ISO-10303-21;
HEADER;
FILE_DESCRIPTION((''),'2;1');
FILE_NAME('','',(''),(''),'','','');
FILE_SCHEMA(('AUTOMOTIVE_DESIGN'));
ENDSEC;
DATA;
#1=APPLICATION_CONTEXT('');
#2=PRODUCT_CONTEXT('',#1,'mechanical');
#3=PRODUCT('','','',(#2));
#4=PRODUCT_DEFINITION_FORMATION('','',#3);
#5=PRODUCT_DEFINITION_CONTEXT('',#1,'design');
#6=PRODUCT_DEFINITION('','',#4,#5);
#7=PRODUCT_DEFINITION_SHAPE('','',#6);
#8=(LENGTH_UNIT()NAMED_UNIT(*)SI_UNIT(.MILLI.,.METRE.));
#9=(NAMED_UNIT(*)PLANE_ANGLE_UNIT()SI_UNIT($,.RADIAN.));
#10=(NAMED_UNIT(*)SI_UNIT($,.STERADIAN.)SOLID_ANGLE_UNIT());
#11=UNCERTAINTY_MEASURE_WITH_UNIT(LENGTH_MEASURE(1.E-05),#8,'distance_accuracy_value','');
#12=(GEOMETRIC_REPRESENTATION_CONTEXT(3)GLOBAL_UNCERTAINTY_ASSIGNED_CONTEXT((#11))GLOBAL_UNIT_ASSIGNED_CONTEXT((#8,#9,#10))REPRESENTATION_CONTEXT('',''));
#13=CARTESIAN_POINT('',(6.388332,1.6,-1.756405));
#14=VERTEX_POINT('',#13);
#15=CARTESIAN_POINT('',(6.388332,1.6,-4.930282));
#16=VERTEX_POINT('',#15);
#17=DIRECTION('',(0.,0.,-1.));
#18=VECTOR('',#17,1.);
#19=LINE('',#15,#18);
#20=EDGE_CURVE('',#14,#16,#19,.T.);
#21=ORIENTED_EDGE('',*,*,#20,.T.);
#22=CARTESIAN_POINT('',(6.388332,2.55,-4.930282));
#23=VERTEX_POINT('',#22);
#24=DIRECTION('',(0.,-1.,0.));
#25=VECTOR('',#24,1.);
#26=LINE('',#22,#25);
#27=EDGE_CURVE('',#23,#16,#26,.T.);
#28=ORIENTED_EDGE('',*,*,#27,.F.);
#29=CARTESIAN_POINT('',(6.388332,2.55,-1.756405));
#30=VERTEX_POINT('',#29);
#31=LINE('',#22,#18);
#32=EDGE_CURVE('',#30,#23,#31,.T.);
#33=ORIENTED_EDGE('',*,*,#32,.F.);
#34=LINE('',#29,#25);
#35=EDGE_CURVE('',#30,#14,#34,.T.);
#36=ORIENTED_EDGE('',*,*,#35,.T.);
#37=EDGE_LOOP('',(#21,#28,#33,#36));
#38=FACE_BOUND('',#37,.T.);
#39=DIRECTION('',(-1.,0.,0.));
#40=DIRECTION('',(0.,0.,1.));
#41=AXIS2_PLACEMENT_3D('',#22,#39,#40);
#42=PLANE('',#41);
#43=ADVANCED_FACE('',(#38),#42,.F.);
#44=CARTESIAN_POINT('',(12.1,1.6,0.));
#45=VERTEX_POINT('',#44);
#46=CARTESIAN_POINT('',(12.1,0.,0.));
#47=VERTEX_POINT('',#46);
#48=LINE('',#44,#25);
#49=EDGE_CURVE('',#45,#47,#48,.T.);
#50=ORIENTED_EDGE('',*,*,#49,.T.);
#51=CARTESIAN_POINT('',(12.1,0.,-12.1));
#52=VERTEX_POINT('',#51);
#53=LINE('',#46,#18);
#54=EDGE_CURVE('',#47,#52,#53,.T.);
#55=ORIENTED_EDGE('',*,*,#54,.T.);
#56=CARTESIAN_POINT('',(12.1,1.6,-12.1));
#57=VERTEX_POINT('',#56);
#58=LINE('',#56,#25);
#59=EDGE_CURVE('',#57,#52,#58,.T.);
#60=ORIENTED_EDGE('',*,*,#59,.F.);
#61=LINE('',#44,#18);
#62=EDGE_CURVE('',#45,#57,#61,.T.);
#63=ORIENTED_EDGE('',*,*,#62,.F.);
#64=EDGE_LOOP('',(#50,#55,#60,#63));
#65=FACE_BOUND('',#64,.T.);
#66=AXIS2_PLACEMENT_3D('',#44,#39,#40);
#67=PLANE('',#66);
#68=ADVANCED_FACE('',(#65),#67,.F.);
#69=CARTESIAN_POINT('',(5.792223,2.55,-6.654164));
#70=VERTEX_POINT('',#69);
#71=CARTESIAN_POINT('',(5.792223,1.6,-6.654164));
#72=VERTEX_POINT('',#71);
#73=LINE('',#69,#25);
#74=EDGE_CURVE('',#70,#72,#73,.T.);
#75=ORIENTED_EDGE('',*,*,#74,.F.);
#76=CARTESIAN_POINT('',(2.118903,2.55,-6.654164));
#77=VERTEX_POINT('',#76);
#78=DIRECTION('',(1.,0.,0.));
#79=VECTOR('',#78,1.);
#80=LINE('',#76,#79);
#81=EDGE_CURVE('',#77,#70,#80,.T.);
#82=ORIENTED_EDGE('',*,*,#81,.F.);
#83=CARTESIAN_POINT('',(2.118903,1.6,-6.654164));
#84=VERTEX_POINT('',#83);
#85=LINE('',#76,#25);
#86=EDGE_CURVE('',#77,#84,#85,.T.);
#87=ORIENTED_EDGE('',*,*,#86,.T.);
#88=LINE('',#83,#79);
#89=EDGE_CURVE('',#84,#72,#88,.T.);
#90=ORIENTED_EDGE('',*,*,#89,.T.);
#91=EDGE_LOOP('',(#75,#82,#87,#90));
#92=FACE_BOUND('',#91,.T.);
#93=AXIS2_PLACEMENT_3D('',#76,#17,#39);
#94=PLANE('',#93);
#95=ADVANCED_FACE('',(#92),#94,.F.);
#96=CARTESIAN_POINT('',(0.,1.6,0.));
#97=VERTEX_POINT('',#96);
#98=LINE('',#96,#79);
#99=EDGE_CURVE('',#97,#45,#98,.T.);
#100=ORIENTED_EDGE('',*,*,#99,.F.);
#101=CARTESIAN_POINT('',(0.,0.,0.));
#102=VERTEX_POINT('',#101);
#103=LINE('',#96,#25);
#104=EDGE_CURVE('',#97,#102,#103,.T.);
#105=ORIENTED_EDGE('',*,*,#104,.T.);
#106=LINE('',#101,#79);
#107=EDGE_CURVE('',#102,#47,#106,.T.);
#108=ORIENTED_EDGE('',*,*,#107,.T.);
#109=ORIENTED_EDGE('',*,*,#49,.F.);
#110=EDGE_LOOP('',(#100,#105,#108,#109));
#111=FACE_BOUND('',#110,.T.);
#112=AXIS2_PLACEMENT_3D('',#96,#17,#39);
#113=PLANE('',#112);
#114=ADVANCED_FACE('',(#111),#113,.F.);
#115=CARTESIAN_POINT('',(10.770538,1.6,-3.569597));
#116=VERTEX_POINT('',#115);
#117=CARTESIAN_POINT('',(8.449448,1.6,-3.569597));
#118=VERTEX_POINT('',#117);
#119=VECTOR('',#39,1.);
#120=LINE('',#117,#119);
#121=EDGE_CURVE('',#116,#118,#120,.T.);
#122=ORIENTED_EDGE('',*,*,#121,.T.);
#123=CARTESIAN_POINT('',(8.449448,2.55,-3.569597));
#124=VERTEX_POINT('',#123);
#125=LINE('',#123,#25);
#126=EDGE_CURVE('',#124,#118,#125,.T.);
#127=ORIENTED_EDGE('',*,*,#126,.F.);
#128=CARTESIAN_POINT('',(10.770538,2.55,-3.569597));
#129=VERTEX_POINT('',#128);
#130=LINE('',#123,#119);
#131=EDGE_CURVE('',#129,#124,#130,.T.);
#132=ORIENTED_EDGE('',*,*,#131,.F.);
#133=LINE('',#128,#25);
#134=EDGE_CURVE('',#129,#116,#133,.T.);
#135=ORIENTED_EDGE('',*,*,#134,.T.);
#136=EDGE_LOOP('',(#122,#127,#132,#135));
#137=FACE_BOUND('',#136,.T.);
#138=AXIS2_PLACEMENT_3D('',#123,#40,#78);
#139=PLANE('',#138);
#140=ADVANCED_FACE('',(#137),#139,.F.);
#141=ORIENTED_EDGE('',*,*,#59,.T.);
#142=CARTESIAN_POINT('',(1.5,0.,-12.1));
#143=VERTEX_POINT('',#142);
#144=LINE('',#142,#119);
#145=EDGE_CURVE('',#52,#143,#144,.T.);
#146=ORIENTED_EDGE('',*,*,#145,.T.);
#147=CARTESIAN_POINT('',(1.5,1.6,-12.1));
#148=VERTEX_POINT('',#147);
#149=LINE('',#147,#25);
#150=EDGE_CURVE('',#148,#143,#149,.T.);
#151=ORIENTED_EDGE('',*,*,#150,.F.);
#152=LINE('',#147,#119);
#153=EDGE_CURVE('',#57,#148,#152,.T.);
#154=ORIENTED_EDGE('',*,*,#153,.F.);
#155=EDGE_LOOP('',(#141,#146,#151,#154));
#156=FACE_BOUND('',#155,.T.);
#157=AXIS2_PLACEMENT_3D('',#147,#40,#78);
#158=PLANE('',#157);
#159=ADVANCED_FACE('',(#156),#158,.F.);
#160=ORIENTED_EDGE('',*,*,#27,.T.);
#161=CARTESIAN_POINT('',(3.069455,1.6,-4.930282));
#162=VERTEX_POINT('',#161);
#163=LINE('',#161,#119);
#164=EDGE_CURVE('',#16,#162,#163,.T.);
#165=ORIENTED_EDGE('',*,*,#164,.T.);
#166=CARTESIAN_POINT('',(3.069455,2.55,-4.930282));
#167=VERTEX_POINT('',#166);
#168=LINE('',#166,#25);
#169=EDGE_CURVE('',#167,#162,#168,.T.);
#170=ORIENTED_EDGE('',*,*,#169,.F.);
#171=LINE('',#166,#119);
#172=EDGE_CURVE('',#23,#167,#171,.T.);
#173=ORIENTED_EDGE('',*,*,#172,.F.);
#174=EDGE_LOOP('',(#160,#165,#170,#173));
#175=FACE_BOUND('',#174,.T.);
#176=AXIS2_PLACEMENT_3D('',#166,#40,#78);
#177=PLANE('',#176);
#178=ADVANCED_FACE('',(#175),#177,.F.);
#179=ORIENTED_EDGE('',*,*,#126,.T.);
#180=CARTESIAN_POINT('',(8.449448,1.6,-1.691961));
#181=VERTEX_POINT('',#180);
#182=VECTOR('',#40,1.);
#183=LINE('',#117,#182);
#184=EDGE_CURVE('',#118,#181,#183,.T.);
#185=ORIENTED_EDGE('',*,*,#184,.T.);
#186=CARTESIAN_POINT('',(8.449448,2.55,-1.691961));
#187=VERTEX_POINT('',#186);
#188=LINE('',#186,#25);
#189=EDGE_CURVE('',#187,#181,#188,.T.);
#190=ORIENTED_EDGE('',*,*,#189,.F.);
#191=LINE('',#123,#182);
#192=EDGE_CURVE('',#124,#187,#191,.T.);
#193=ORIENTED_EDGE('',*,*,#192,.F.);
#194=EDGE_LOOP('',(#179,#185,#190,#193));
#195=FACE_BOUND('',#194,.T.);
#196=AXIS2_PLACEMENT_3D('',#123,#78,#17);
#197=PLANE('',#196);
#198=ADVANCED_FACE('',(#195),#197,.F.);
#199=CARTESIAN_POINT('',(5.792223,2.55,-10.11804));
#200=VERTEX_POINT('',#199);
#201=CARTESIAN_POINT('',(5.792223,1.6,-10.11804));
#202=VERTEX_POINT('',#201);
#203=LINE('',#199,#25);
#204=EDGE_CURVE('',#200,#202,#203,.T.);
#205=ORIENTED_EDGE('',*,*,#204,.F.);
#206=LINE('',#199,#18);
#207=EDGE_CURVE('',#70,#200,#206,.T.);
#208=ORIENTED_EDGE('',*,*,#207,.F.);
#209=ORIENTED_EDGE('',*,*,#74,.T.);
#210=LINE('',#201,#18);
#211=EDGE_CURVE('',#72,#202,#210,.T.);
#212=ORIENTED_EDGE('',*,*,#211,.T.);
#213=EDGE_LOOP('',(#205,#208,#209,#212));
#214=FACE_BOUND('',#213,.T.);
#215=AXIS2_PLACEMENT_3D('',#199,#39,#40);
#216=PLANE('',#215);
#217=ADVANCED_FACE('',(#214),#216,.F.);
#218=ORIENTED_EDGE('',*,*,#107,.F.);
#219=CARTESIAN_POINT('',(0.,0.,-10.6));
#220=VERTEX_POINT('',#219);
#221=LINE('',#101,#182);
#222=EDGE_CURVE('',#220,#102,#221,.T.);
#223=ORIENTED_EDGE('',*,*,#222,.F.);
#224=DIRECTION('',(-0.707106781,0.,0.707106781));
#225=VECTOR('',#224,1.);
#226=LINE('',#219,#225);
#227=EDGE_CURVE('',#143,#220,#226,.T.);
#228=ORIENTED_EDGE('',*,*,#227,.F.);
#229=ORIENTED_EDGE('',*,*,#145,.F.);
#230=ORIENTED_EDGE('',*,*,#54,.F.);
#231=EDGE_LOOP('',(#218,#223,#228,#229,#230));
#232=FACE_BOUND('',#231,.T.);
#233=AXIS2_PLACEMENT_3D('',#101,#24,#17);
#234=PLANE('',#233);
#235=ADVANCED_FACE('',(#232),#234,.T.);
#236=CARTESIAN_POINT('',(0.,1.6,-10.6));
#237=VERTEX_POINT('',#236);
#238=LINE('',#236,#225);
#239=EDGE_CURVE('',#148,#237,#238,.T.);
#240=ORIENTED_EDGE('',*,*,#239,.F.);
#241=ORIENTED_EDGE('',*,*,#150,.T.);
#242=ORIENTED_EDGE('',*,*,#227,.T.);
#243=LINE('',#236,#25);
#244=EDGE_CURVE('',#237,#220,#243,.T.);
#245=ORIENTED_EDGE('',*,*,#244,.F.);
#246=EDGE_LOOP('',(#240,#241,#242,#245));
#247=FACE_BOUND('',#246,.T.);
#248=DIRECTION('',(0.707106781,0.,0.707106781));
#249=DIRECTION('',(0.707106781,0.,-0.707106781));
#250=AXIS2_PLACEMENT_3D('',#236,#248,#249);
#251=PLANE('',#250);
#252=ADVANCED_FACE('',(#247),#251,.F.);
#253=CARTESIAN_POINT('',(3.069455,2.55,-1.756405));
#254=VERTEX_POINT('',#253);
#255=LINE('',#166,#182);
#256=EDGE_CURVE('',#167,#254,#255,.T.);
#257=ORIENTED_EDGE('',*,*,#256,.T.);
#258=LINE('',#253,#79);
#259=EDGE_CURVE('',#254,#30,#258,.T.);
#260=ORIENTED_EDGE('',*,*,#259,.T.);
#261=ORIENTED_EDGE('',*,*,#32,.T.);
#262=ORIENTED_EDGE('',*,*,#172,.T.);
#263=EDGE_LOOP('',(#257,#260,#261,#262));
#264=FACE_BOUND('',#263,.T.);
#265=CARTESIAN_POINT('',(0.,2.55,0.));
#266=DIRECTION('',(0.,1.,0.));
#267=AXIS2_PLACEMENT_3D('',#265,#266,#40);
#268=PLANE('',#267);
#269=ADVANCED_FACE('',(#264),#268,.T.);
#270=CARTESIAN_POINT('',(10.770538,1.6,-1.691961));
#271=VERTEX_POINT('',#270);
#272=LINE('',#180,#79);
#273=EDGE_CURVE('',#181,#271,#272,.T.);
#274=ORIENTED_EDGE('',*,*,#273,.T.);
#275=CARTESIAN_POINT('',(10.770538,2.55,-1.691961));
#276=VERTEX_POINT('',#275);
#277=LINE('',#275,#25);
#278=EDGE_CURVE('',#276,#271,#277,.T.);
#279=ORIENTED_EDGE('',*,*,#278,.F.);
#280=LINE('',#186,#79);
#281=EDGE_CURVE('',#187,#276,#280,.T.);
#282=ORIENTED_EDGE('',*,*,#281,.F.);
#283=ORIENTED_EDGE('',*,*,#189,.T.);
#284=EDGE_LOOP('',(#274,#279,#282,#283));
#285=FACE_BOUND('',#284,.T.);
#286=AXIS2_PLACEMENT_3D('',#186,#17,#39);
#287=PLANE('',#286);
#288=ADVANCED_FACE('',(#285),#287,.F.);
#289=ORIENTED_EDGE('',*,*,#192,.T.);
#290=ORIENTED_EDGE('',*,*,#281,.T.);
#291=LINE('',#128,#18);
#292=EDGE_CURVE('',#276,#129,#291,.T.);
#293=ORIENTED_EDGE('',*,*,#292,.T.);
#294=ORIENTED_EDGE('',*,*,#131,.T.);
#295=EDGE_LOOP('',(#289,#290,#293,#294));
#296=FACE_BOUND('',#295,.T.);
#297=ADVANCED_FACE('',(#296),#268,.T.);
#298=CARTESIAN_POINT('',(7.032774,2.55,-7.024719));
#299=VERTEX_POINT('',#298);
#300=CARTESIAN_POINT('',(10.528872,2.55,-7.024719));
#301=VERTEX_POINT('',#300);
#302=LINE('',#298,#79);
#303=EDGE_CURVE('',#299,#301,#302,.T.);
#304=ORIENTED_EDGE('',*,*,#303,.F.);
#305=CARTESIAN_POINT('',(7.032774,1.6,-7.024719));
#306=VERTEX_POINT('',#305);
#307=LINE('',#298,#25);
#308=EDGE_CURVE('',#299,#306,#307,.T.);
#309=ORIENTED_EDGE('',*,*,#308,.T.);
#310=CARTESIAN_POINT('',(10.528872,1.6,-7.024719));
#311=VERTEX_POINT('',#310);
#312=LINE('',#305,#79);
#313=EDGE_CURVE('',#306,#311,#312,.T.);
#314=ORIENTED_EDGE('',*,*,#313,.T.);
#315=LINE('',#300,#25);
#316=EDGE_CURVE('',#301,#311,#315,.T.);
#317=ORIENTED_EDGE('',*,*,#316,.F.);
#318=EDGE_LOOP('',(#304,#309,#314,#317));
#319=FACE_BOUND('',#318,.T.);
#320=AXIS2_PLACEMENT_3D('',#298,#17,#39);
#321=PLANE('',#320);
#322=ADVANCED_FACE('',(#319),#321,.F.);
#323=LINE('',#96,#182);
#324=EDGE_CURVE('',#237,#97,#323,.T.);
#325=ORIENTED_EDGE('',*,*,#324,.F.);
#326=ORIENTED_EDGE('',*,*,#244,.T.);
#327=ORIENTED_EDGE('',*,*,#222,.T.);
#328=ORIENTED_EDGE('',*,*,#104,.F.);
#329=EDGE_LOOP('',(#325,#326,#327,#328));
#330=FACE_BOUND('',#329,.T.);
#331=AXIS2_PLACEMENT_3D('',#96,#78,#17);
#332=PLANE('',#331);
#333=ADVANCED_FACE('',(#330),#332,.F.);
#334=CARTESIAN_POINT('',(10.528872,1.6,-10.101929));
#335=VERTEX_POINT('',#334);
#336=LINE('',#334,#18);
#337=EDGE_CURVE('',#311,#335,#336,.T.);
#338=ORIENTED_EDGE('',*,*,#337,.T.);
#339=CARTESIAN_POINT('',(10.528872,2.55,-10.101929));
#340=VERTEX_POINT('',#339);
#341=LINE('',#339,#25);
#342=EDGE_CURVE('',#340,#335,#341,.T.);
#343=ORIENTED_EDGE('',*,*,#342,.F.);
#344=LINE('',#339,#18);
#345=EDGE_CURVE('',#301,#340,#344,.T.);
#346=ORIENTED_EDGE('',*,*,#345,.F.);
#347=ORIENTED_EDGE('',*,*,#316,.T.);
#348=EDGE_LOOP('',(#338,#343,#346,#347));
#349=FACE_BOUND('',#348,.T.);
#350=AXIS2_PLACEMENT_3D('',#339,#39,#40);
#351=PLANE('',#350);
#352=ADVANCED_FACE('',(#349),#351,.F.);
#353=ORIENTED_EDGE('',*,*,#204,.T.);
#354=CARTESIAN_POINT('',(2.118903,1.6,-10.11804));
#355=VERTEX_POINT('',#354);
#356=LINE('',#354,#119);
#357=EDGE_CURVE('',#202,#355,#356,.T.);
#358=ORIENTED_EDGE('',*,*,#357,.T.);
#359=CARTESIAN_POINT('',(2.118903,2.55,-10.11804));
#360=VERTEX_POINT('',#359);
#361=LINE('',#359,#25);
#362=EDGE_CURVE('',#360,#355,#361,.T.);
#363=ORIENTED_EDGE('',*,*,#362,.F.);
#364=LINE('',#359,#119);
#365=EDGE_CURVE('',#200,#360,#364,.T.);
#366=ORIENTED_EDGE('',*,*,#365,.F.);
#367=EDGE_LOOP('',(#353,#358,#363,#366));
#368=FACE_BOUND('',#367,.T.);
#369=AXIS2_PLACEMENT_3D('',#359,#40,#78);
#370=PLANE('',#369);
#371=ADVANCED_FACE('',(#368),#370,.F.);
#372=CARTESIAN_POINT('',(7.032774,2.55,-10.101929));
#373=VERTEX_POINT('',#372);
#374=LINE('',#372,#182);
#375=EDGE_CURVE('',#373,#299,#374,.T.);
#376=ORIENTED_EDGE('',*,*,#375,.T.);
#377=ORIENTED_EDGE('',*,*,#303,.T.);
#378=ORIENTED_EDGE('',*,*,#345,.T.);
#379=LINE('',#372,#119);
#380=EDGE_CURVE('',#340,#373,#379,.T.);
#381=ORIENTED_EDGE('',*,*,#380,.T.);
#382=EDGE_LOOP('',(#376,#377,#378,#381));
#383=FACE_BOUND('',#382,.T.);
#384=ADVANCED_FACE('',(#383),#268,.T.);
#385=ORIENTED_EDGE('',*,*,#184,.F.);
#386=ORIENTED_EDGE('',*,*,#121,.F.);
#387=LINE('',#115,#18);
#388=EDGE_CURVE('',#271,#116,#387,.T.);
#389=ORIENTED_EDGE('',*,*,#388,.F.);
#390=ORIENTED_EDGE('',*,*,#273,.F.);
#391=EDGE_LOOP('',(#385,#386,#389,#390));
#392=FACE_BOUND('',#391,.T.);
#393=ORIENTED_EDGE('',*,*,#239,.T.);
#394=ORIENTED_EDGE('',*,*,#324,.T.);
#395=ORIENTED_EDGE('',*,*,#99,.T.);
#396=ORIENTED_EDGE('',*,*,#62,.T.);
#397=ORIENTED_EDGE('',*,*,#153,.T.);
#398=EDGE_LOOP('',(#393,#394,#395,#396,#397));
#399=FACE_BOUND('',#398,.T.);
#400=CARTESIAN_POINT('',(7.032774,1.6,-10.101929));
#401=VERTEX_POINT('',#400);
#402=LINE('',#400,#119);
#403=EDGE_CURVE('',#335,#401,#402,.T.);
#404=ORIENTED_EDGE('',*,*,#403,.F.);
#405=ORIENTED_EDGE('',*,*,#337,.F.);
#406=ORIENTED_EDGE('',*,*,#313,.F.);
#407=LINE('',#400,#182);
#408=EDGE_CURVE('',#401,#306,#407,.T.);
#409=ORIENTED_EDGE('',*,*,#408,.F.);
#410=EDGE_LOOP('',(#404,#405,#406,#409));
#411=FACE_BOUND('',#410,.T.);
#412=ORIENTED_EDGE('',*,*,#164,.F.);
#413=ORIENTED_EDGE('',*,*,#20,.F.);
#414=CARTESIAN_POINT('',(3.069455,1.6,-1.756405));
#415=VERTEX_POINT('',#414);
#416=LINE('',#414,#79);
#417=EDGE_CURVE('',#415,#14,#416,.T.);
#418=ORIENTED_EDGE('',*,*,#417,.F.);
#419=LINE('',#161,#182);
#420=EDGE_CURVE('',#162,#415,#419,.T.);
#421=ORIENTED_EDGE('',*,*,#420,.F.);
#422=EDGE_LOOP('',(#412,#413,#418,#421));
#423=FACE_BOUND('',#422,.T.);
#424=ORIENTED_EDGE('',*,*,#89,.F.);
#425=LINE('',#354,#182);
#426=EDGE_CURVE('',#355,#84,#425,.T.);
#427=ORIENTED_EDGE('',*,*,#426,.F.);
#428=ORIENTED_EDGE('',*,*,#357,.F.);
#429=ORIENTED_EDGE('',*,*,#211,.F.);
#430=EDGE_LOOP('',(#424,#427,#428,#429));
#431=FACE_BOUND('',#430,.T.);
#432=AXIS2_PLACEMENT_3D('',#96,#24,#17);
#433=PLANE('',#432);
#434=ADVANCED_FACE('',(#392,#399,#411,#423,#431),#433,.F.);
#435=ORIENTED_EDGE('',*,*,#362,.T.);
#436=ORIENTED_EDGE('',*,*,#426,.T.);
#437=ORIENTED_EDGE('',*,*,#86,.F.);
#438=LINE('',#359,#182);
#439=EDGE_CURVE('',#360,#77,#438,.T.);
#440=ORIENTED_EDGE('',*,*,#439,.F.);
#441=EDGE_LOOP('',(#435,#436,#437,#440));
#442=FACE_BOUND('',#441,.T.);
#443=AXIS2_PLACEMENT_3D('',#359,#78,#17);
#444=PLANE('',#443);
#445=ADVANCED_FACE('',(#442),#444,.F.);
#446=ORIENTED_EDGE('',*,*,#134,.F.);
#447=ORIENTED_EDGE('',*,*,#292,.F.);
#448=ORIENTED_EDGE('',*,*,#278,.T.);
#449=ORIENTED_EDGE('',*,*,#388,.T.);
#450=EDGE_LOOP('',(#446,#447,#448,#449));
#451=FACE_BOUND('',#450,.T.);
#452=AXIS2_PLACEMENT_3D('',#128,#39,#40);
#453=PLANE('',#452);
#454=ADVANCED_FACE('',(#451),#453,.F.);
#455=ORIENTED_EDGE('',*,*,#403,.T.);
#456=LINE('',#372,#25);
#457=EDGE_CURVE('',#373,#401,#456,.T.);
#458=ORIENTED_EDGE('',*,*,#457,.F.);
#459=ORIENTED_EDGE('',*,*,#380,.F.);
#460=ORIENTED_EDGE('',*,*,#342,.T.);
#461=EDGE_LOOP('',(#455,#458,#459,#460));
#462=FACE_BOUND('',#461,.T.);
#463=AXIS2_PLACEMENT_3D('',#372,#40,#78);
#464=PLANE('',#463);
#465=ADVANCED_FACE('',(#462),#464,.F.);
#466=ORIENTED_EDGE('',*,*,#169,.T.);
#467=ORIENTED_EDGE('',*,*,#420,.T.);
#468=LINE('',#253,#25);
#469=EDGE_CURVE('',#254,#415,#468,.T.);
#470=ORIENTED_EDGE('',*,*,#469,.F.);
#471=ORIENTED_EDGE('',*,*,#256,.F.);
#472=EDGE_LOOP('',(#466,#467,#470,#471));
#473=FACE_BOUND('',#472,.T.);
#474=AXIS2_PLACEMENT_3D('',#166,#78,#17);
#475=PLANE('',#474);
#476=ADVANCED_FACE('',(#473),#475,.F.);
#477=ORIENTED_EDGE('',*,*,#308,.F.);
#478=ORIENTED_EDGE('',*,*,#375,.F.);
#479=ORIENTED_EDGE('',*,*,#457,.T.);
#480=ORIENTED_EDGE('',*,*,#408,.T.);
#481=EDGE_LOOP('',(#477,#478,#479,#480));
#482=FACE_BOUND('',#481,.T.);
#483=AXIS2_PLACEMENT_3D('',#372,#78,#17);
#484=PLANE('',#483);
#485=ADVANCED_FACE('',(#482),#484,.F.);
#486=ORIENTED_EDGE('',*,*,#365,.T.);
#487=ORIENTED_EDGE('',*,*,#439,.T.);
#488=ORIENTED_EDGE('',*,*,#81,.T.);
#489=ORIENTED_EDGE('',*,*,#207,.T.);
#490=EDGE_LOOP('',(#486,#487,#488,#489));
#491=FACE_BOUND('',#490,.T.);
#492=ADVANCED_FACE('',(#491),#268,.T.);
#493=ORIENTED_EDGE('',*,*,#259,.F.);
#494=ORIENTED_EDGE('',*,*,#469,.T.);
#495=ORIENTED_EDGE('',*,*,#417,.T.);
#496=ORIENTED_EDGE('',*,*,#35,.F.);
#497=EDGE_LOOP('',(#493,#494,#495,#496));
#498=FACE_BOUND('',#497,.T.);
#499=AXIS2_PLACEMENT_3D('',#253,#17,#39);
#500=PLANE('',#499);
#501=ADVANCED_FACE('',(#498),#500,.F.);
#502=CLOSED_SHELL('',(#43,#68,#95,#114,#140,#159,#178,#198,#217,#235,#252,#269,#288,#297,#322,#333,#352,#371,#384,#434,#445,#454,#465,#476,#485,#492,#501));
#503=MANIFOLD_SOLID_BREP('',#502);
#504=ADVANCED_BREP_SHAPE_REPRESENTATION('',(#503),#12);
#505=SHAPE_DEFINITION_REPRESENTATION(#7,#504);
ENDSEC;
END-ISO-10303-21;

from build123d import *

# Parameters (mm, degrees)
EXTRUDE_1_DEPTH = 1.6
SKETCH_2_W      = 3.67331973
SKETCH_2_H      = 3.463876061
SKETCH_2_W_2    = 3.496098164
SKETCH_2_H_2    = 3.077210826
SKETCH_2_W_3    = 3.318876597
SKETCH_2_H_3    = 3.173877135
SKETCH_2_W_4    = 2.321089706
SKETCH_2_H_4    = 1.877636292
EXTRUDE_2_DEPTH = 0.95


with BuildPart() as part:
    # 스케치1 → 보스-돌출1 (new body)
    with BuildSketch(Plane(origin=(0, 0, 0), x_dir=(1, 0, 0), z_dir=(0, 1, 0))):
        Polygon((0, 10.6), (1.5, 12.1), (12.1, 12.1), (12.1, 0), (0, 0), align=None)
    extrude(amount=EXTRUDE_1_DEPTH)

    # 스케치2 → 보스-돌출2 (add)
    with BuildSketch(Plane(origin=(0, 1.6, 0), x_dir=(1, 0, 0), z_dir=(0, 1, 0))):
        with Locations((3.955563312, 8.386102459)):
            Rectangle(SKETCH_2_W, SKETCH_2_H)
        with Locations((8.78082322, 8.563324025)):
            Rectangle(SKETCH_2_W_2, SKETCH_2_H_2)
        with Locations((4.728893782, 3.343343358)):
            Rectangle(SKETCH_2_W_3, SKETCH_2_H_3)
        with Locations((9.60999322, 2.63077873)):
            Rectangle(SKETCH_2_W_4, SKETCH_2_H_4)
    extrude(amount=EXTRUDE_2_DEPTH)


solid = part.part
